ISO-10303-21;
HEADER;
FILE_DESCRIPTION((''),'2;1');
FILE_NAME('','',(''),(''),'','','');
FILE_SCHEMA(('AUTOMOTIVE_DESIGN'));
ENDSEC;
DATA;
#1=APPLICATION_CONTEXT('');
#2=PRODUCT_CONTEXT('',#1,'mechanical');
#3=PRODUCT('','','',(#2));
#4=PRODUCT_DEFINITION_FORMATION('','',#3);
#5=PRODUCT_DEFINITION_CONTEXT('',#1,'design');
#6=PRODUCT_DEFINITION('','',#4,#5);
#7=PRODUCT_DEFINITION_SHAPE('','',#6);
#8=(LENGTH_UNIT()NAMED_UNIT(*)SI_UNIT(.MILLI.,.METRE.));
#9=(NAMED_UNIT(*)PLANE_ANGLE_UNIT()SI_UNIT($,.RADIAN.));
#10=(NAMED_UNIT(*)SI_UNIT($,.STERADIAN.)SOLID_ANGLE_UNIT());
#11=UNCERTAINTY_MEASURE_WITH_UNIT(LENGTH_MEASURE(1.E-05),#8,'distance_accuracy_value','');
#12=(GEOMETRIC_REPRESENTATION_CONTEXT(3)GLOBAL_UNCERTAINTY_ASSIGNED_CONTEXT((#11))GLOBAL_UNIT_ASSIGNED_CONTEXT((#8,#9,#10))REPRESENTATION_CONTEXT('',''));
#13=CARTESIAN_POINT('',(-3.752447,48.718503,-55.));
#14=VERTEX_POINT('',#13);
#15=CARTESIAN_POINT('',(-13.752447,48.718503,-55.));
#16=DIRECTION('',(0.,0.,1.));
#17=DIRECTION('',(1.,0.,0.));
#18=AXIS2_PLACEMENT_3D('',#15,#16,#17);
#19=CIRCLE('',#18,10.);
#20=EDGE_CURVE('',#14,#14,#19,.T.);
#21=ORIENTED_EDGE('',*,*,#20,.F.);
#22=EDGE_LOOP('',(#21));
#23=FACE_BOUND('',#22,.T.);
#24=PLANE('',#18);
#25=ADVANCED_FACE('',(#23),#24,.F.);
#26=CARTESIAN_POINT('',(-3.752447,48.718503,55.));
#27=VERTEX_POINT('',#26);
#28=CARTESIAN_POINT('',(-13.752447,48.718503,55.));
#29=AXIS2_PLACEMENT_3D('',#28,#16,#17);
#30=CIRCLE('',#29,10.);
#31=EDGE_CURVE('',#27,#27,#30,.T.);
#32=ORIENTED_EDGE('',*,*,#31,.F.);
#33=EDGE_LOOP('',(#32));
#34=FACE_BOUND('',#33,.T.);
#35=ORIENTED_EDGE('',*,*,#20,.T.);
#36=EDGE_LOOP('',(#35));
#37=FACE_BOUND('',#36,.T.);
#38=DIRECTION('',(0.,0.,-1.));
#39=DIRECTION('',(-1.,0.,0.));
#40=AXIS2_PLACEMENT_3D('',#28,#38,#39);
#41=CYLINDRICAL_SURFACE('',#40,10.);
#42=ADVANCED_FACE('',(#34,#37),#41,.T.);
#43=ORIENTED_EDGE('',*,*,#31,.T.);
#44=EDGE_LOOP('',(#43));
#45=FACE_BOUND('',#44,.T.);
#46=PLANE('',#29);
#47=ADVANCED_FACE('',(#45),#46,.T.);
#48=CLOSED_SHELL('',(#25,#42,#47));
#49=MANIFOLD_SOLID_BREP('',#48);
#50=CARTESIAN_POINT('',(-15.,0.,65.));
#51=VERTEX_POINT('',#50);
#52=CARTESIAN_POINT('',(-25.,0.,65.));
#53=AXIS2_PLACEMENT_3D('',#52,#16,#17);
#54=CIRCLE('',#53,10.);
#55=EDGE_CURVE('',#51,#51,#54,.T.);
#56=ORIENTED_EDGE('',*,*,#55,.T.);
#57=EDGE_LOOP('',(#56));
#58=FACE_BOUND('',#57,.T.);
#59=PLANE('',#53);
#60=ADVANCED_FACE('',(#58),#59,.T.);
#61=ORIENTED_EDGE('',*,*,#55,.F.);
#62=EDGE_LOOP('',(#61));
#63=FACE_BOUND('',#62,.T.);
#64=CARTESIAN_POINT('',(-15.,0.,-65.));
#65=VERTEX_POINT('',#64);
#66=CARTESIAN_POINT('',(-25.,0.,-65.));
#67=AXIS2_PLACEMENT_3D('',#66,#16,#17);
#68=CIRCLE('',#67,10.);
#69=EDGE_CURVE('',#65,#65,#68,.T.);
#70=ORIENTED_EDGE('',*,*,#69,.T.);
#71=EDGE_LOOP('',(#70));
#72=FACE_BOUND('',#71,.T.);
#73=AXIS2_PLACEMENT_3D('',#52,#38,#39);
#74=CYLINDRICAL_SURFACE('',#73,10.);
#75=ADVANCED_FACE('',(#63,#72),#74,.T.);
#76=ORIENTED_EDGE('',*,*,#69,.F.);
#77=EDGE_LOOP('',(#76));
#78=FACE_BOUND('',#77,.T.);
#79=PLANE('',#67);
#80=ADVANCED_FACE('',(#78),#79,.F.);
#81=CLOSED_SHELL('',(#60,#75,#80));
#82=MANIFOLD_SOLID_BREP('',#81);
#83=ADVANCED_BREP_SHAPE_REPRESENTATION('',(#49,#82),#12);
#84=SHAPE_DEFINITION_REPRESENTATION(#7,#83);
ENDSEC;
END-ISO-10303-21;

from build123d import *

# Parameters (mm, degrees)
SZKIC1_R                    = 10
DODANIE_WYCI_GNI_CIE1_DEPTH = 65
SZKIC3_R                    = 10
DODANIE_WYCI_GNI_CIE3_DEPTH = 55


with BuildPart() as part:
    # Szkic1 → Dodanie-wyciągnięcie1 (new, symmetric)
    with BuildSketch(Plane.XY):
        with Locations((-25, 0)):
            Circle(SZKIC1_R)
    extrude(amount=DODANIE_WYCI_GNI_CIE1_DEPTH, both=True)


with BuildPart() as body_2:
    # Szkic3 → Dodanie-wyciągnięcie3 (new, symmetric)
    with BuildSketch(Plane.XY):
        with Locations((-13.752447283, 48.718503239)):
            Circle(SZKIC3_R)
    extrude(amount=DODANIE_WYCI_GNI_CIE3_DEPTH, both=True)


solid = Compound([part.part, body_2.part])
